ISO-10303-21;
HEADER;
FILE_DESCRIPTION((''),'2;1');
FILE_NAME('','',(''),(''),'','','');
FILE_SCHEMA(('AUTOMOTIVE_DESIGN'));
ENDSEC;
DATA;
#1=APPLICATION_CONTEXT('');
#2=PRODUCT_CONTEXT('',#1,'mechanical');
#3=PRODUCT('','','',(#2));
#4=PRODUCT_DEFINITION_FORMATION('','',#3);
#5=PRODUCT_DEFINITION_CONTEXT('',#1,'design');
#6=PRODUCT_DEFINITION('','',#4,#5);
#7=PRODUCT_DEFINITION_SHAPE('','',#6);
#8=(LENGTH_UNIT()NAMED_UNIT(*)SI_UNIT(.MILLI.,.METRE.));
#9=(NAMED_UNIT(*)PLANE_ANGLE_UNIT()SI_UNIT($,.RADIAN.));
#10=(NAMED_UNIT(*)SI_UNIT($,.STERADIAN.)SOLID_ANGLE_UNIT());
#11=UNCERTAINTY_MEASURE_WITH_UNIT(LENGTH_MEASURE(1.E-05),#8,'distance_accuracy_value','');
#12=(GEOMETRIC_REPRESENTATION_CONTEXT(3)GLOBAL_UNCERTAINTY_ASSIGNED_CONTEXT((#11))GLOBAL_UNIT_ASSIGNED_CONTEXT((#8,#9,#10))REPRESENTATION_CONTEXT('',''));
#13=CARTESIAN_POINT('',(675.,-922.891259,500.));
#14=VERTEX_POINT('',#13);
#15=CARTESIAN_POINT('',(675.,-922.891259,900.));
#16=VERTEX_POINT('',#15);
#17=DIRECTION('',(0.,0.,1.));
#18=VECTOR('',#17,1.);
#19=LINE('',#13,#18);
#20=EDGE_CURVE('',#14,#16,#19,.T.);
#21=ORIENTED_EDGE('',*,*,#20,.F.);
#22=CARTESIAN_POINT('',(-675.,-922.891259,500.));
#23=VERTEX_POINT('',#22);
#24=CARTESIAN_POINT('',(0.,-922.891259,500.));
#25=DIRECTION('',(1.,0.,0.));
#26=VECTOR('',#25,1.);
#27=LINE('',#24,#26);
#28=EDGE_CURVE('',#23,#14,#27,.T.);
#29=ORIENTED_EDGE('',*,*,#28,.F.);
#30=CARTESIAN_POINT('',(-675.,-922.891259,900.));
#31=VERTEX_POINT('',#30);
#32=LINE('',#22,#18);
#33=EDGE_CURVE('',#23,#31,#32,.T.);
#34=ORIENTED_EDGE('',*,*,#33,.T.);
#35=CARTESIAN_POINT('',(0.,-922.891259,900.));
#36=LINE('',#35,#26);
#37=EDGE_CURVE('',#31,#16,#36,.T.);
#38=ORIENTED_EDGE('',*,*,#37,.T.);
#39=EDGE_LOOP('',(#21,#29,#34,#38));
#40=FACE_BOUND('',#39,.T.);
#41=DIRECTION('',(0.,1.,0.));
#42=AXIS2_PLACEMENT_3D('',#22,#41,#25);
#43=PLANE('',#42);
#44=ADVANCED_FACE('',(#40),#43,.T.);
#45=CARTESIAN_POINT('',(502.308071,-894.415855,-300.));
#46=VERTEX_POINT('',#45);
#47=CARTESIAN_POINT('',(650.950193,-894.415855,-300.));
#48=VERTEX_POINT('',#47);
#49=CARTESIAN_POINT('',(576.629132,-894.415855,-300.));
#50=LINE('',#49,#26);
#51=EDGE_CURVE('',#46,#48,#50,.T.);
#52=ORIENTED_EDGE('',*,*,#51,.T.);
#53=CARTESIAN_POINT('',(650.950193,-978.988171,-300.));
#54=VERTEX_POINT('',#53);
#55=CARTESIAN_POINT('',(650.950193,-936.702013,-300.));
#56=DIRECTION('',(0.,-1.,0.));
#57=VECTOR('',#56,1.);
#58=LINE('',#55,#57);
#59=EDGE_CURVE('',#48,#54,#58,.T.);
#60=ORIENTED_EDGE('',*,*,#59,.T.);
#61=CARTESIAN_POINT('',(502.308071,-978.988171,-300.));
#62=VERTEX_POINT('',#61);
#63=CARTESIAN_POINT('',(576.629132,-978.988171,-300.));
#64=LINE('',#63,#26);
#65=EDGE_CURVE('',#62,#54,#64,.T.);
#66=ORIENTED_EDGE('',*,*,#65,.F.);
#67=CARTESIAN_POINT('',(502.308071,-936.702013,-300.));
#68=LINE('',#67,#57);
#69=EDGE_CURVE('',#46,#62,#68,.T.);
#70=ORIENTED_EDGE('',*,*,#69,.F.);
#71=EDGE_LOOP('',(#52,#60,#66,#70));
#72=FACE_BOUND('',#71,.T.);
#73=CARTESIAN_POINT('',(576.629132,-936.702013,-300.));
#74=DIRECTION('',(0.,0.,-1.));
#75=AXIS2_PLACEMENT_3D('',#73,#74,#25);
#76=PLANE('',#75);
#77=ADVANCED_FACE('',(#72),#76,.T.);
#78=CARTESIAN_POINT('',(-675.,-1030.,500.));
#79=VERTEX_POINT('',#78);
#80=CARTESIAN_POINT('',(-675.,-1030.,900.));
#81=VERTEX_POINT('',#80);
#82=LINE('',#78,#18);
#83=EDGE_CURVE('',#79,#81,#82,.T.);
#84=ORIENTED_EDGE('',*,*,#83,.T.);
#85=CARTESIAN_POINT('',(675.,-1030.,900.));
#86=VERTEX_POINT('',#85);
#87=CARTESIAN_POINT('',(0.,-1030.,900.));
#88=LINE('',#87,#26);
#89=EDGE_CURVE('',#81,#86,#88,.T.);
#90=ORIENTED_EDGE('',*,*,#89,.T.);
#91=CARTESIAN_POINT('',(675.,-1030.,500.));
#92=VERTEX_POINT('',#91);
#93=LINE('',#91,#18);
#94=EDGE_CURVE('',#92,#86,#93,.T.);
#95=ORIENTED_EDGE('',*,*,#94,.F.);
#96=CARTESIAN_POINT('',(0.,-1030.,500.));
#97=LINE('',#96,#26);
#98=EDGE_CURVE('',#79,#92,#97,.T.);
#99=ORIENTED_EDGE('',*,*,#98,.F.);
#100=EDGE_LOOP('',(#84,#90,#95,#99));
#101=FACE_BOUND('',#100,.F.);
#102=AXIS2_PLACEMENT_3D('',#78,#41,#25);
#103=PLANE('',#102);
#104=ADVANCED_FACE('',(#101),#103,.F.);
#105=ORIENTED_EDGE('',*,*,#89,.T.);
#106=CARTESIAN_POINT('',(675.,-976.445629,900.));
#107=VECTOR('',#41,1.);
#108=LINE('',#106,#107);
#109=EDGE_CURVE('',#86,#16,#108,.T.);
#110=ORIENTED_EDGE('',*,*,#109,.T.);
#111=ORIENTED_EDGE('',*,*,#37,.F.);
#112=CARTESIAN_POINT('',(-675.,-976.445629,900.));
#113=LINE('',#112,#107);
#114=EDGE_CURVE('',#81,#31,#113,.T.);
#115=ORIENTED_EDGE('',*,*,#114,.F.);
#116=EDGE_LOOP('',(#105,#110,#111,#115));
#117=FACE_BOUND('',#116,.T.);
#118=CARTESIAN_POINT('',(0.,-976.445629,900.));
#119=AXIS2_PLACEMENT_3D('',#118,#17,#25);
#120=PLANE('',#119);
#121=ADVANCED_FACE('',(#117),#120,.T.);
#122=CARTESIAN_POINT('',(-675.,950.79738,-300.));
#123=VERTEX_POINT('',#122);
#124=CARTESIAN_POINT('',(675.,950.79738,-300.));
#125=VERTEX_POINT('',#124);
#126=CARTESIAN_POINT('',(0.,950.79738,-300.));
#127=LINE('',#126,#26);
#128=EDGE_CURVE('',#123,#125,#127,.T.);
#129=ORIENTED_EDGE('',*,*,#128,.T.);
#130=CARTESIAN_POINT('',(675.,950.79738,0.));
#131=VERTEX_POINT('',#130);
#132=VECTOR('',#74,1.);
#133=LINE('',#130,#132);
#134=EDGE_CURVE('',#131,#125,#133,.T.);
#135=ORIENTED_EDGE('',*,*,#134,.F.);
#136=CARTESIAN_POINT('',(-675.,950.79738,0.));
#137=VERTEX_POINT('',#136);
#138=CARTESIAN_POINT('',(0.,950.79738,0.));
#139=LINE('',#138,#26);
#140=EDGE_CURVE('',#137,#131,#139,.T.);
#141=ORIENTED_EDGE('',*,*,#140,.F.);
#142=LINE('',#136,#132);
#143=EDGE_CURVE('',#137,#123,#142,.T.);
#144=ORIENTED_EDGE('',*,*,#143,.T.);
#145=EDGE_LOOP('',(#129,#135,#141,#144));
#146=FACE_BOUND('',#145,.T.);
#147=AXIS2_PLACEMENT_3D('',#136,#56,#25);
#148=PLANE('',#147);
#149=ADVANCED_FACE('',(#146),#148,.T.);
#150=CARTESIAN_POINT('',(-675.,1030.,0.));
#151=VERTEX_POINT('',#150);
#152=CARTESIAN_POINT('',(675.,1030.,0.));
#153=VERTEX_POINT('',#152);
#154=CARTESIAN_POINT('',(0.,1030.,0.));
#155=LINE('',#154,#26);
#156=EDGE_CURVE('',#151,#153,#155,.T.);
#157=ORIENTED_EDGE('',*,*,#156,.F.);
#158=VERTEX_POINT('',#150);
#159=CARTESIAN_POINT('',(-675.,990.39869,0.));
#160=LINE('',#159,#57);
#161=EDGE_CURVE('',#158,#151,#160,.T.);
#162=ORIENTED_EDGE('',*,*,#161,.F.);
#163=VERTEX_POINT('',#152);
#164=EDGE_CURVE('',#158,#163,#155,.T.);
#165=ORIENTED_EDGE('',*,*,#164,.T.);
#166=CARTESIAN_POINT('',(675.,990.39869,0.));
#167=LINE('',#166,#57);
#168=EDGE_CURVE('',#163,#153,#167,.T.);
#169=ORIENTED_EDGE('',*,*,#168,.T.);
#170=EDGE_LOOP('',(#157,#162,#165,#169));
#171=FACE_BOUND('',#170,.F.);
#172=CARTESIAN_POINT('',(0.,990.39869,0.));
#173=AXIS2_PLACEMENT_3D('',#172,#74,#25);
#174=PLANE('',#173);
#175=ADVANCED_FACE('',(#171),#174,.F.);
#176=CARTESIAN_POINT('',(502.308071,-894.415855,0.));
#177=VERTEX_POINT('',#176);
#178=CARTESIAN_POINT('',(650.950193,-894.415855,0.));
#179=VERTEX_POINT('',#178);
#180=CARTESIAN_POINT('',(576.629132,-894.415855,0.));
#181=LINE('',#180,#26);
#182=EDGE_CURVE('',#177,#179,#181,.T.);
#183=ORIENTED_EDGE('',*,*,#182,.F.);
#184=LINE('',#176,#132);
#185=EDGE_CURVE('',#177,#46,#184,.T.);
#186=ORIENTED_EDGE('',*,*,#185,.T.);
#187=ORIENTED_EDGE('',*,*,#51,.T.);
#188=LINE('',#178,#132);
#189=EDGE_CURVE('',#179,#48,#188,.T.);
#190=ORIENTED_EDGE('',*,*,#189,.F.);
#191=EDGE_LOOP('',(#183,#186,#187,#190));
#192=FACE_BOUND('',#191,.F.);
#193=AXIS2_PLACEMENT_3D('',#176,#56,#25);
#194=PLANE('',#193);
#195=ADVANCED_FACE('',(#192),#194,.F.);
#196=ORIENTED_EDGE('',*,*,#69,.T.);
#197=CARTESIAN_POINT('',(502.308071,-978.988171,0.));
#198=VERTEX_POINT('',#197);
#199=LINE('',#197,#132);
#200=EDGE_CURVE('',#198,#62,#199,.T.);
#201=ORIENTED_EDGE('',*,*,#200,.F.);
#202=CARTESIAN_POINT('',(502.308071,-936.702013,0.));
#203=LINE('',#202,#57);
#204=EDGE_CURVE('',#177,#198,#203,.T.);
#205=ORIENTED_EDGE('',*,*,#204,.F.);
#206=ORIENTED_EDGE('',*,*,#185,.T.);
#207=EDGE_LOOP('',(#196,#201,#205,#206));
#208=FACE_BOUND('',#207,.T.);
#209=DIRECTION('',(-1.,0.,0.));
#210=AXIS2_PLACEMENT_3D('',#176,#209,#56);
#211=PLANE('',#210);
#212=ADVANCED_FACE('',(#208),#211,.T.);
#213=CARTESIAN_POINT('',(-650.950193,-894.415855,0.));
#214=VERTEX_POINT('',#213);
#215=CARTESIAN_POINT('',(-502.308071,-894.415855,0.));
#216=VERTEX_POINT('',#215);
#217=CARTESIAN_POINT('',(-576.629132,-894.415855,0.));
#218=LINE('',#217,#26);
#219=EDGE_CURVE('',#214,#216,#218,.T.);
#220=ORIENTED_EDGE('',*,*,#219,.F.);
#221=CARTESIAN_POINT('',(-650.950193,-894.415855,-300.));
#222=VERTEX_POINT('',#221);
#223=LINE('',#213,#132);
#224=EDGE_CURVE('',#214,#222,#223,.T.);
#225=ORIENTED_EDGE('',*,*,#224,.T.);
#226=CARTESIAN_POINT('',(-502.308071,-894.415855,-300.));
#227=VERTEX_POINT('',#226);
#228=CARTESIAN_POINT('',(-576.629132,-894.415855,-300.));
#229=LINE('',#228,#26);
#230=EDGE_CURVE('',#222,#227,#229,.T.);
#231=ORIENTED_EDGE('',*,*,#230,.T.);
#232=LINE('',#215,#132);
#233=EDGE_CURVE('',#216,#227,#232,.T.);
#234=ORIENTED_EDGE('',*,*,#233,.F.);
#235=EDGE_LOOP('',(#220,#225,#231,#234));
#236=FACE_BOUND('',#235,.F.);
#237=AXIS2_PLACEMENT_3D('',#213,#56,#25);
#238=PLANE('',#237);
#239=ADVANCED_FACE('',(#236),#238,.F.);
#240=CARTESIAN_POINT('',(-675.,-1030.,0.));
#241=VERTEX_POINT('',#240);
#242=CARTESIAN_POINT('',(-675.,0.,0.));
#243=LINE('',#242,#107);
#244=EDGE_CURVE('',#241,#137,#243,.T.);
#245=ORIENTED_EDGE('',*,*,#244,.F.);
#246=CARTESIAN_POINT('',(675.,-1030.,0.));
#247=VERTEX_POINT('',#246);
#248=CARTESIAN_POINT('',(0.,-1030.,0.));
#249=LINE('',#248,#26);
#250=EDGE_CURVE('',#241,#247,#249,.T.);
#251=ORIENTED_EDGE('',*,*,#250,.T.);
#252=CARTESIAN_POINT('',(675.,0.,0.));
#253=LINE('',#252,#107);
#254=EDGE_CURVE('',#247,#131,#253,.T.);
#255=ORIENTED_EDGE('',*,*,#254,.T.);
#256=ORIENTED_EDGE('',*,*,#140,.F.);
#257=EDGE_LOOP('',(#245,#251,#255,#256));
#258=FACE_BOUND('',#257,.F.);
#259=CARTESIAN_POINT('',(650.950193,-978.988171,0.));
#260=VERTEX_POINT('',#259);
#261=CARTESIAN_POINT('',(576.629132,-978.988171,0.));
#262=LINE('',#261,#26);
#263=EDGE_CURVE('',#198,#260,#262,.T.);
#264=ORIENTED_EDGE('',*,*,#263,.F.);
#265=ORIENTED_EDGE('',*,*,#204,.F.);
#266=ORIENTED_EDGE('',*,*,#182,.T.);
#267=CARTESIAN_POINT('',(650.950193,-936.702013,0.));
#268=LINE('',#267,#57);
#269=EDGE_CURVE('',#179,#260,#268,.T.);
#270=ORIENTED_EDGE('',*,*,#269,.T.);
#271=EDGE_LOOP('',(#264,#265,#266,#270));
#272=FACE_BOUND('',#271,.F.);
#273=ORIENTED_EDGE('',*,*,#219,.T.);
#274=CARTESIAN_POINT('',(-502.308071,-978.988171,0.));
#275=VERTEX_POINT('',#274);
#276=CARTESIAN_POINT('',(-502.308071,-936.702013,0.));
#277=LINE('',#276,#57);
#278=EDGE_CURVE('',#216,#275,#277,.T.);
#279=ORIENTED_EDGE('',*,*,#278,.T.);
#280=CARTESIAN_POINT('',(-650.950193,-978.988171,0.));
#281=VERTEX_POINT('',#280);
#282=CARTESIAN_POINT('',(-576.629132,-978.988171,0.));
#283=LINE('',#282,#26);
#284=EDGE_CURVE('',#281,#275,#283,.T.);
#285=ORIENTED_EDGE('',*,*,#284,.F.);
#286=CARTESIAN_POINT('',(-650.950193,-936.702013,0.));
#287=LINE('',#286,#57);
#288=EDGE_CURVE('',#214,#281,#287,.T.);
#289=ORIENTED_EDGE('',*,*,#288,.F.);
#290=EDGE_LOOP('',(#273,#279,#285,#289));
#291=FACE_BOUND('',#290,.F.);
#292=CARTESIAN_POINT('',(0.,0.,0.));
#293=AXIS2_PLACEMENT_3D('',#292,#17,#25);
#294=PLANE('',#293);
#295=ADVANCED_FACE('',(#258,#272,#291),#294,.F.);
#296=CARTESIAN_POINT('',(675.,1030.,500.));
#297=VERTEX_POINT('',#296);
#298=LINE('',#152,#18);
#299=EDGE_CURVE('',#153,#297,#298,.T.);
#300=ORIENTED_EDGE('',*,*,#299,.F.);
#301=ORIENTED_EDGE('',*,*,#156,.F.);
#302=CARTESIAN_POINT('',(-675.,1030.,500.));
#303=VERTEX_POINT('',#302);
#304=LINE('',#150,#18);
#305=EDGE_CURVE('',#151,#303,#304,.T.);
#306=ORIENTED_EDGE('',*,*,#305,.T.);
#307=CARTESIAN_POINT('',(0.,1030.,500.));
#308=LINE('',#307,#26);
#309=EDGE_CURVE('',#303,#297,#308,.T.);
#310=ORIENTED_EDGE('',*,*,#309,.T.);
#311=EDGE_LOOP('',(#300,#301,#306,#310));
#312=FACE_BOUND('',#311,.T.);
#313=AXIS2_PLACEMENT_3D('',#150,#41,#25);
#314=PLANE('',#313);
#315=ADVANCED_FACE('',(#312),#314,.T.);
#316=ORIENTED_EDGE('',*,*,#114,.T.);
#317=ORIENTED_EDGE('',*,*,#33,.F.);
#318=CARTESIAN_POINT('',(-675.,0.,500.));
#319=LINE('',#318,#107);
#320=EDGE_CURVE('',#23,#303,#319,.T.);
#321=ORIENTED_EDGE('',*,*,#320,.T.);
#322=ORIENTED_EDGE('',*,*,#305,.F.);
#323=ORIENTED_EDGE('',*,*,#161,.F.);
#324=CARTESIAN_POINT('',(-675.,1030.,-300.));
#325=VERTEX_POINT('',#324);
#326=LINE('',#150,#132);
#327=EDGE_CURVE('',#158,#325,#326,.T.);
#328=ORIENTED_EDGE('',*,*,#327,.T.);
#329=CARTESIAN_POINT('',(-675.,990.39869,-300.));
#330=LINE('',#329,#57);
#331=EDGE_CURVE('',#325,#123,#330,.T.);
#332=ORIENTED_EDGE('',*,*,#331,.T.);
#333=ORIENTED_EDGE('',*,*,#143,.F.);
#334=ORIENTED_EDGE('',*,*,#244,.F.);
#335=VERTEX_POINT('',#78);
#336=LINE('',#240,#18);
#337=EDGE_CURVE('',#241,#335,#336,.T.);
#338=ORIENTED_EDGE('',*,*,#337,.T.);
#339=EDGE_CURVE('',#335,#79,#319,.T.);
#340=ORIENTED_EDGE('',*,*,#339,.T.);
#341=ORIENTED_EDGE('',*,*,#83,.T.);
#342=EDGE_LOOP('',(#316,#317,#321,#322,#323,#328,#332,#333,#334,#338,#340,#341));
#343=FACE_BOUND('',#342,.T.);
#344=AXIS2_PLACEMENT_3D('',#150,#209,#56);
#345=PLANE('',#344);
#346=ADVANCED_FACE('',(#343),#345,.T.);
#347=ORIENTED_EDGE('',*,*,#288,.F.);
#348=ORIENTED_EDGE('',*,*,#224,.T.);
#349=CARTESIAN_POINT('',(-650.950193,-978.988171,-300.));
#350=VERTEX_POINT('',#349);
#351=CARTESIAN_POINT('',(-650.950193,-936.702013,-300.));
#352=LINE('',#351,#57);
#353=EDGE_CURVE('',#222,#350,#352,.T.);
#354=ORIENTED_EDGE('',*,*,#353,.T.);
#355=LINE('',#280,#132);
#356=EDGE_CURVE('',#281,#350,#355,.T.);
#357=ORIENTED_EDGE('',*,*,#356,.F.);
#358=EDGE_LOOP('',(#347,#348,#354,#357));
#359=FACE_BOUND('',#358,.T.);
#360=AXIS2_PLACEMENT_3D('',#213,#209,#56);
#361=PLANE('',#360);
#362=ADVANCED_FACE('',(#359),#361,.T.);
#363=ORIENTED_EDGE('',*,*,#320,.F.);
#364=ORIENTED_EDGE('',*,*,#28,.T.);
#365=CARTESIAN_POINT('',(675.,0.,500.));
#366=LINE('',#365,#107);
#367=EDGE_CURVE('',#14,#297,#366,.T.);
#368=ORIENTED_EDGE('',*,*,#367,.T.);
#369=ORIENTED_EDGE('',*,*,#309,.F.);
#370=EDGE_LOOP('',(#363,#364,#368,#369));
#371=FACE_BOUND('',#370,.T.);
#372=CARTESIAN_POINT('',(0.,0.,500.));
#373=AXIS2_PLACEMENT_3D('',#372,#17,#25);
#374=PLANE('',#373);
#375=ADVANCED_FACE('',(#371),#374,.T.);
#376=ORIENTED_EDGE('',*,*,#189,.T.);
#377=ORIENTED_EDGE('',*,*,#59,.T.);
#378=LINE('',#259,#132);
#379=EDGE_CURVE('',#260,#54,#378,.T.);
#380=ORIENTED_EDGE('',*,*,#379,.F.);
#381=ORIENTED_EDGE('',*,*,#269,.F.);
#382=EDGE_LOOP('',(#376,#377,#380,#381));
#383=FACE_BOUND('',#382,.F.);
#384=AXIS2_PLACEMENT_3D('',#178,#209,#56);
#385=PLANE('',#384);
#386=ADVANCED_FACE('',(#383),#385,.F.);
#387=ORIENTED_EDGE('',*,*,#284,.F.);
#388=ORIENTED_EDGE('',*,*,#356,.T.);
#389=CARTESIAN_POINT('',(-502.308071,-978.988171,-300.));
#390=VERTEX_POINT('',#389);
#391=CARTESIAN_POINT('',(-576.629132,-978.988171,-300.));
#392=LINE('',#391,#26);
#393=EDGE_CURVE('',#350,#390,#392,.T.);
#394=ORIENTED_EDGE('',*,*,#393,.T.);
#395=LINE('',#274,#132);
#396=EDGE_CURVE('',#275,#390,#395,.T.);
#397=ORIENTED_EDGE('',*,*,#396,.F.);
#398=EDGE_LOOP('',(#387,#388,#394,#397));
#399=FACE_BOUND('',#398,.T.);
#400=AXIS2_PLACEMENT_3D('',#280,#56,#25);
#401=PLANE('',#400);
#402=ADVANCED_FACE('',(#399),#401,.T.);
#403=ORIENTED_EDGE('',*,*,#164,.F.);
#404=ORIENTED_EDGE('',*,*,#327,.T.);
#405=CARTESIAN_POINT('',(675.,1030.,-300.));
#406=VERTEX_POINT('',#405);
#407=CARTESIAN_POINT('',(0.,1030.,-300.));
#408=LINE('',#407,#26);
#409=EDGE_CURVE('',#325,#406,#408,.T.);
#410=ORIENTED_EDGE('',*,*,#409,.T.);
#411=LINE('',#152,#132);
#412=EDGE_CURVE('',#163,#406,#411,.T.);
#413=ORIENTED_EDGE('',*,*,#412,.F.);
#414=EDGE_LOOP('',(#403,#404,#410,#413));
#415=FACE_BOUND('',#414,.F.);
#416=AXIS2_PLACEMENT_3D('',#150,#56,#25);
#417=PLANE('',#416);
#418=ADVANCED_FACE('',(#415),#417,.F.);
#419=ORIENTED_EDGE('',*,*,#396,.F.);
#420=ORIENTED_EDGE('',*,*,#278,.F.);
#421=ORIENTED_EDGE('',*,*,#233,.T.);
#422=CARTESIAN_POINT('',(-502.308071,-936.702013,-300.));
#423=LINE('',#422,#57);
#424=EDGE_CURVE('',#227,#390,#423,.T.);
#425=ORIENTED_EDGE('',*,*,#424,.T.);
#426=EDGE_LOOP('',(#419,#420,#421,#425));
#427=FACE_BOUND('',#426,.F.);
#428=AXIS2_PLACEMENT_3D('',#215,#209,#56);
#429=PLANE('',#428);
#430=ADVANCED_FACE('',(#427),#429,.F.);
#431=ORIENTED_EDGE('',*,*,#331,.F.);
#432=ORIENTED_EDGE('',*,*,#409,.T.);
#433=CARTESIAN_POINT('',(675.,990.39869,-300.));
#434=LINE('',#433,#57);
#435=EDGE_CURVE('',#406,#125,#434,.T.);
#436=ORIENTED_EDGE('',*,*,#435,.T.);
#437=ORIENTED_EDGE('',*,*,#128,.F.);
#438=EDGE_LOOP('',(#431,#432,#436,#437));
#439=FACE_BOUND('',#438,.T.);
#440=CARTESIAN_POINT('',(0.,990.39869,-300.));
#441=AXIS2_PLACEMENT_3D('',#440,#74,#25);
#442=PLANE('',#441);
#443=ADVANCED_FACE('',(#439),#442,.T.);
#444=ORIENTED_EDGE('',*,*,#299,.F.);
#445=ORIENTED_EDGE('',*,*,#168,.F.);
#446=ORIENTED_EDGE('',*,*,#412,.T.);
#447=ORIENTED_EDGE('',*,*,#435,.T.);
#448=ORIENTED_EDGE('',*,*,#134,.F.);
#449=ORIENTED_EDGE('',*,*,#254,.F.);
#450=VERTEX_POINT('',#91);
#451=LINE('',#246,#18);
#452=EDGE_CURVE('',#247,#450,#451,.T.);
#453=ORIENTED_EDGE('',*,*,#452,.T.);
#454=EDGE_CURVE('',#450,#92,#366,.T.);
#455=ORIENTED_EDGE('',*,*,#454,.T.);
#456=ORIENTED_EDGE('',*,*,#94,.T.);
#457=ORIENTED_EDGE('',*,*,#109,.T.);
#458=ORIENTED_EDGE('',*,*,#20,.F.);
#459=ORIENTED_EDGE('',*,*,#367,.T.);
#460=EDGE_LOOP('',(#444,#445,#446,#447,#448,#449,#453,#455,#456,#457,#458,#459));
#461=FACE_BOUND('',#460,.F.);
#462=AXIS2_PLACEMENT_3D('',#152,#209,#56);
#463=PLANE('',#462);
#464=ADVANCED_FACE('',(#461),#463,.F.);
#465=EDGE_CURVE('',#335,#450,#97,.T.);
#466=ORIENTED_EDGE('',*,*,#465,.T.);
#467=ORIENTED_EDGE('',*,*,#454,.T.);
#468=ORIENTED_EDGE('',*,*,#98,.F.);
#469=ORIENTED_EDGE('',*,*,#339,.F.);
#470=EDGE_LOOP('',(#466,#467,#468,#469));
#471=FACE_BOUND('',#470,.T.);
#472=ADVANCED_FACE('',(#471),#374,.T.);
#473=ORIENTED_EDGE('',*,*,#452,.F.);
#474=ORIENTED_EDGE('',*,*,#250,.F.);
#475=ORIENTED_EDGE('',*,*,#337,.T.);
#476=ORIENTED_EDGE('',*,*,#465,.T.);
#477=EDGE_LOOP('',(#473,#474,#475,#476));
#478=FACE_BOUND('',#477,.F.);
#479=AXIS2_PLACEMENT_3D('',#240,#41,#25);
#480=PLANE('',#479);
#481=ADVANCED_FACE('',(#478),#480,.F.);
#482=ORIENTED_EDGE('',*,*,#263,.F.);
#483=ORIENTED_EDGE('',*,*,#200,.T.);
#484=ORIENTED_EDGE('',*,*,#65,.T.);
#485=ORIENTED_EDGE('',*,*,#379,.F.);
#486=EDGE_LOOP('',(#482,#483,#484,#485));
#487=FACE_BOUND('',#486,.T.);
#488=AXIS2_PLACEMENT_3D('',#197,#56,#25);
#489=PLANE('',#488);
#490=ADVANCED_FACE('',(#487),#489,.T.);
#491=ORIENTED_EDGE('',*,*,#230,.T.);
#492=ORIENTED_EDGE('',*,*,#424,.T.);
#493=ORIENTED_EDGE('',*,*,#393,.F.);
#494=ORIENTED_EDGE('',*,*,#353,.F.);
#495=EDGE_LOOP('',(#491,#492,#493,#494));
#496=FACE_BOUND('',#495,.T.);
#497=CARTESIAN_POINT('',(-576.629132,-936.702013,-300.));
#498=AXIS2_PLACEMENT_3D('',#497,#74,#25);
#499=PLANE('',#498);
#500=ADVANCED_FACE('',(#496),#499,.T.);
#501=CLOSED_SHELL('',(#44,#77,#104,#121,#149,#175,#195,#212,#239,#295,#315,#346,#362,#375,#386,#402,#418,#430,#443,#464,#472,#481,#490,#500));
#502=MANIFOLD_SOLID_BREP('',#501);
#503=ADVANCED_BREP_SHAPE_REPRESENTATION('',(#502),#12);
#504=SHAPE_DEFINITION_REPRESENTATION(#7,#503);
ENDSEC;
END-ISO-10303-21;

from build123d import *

# Parameters (mm, degrees)
F0_W     = 1350
F0_H     = 2060
F1_DEPTH = 500
F2_W     = 1350
F2_H     = 79.202621
F2_W_2   = 148.642122
F2_H_2   = 84.572316
F3_DEPTH = 300
F4_W     = 1350
F4_H     = 107.108741
F5_DEPTH = 400


with BuildPart() as f1:
    # F0 (on Top) → F1 (new body)
    with BuildSketch(Plane.XY):
        Rectangle(F0_W, F0_H)
    extrude(amount=F1_DEPTH)

    # F2 (on face) → F3 (join)
    with BuildSketch(Plane(origin=(0, 0, 0), x_dir=(1, 0, 0), z_dir=(0, 0, -1))):
        with Locations((0, -990.39869)):
            Rectangle(F2_W, F2_H)
        with Locations((-576.629132, 936.702013)):
            Rectangle(F2_W_2, F2_H_2)
        with Locations((576.629132, 936.702013)):
            Rectangle(F2_W_2, F2_H_2)
    extrude(amount=F3_DEPTH)

    # F4 (on face) → F5 (join)
    with BuildSketch(Plane.XY.offset(500)):
        with Locations((0, -976.445629)):
            Rectangle(F4_W, F4_H)
    extrude(amount=F5_DEPTH)


solid = f1.part
